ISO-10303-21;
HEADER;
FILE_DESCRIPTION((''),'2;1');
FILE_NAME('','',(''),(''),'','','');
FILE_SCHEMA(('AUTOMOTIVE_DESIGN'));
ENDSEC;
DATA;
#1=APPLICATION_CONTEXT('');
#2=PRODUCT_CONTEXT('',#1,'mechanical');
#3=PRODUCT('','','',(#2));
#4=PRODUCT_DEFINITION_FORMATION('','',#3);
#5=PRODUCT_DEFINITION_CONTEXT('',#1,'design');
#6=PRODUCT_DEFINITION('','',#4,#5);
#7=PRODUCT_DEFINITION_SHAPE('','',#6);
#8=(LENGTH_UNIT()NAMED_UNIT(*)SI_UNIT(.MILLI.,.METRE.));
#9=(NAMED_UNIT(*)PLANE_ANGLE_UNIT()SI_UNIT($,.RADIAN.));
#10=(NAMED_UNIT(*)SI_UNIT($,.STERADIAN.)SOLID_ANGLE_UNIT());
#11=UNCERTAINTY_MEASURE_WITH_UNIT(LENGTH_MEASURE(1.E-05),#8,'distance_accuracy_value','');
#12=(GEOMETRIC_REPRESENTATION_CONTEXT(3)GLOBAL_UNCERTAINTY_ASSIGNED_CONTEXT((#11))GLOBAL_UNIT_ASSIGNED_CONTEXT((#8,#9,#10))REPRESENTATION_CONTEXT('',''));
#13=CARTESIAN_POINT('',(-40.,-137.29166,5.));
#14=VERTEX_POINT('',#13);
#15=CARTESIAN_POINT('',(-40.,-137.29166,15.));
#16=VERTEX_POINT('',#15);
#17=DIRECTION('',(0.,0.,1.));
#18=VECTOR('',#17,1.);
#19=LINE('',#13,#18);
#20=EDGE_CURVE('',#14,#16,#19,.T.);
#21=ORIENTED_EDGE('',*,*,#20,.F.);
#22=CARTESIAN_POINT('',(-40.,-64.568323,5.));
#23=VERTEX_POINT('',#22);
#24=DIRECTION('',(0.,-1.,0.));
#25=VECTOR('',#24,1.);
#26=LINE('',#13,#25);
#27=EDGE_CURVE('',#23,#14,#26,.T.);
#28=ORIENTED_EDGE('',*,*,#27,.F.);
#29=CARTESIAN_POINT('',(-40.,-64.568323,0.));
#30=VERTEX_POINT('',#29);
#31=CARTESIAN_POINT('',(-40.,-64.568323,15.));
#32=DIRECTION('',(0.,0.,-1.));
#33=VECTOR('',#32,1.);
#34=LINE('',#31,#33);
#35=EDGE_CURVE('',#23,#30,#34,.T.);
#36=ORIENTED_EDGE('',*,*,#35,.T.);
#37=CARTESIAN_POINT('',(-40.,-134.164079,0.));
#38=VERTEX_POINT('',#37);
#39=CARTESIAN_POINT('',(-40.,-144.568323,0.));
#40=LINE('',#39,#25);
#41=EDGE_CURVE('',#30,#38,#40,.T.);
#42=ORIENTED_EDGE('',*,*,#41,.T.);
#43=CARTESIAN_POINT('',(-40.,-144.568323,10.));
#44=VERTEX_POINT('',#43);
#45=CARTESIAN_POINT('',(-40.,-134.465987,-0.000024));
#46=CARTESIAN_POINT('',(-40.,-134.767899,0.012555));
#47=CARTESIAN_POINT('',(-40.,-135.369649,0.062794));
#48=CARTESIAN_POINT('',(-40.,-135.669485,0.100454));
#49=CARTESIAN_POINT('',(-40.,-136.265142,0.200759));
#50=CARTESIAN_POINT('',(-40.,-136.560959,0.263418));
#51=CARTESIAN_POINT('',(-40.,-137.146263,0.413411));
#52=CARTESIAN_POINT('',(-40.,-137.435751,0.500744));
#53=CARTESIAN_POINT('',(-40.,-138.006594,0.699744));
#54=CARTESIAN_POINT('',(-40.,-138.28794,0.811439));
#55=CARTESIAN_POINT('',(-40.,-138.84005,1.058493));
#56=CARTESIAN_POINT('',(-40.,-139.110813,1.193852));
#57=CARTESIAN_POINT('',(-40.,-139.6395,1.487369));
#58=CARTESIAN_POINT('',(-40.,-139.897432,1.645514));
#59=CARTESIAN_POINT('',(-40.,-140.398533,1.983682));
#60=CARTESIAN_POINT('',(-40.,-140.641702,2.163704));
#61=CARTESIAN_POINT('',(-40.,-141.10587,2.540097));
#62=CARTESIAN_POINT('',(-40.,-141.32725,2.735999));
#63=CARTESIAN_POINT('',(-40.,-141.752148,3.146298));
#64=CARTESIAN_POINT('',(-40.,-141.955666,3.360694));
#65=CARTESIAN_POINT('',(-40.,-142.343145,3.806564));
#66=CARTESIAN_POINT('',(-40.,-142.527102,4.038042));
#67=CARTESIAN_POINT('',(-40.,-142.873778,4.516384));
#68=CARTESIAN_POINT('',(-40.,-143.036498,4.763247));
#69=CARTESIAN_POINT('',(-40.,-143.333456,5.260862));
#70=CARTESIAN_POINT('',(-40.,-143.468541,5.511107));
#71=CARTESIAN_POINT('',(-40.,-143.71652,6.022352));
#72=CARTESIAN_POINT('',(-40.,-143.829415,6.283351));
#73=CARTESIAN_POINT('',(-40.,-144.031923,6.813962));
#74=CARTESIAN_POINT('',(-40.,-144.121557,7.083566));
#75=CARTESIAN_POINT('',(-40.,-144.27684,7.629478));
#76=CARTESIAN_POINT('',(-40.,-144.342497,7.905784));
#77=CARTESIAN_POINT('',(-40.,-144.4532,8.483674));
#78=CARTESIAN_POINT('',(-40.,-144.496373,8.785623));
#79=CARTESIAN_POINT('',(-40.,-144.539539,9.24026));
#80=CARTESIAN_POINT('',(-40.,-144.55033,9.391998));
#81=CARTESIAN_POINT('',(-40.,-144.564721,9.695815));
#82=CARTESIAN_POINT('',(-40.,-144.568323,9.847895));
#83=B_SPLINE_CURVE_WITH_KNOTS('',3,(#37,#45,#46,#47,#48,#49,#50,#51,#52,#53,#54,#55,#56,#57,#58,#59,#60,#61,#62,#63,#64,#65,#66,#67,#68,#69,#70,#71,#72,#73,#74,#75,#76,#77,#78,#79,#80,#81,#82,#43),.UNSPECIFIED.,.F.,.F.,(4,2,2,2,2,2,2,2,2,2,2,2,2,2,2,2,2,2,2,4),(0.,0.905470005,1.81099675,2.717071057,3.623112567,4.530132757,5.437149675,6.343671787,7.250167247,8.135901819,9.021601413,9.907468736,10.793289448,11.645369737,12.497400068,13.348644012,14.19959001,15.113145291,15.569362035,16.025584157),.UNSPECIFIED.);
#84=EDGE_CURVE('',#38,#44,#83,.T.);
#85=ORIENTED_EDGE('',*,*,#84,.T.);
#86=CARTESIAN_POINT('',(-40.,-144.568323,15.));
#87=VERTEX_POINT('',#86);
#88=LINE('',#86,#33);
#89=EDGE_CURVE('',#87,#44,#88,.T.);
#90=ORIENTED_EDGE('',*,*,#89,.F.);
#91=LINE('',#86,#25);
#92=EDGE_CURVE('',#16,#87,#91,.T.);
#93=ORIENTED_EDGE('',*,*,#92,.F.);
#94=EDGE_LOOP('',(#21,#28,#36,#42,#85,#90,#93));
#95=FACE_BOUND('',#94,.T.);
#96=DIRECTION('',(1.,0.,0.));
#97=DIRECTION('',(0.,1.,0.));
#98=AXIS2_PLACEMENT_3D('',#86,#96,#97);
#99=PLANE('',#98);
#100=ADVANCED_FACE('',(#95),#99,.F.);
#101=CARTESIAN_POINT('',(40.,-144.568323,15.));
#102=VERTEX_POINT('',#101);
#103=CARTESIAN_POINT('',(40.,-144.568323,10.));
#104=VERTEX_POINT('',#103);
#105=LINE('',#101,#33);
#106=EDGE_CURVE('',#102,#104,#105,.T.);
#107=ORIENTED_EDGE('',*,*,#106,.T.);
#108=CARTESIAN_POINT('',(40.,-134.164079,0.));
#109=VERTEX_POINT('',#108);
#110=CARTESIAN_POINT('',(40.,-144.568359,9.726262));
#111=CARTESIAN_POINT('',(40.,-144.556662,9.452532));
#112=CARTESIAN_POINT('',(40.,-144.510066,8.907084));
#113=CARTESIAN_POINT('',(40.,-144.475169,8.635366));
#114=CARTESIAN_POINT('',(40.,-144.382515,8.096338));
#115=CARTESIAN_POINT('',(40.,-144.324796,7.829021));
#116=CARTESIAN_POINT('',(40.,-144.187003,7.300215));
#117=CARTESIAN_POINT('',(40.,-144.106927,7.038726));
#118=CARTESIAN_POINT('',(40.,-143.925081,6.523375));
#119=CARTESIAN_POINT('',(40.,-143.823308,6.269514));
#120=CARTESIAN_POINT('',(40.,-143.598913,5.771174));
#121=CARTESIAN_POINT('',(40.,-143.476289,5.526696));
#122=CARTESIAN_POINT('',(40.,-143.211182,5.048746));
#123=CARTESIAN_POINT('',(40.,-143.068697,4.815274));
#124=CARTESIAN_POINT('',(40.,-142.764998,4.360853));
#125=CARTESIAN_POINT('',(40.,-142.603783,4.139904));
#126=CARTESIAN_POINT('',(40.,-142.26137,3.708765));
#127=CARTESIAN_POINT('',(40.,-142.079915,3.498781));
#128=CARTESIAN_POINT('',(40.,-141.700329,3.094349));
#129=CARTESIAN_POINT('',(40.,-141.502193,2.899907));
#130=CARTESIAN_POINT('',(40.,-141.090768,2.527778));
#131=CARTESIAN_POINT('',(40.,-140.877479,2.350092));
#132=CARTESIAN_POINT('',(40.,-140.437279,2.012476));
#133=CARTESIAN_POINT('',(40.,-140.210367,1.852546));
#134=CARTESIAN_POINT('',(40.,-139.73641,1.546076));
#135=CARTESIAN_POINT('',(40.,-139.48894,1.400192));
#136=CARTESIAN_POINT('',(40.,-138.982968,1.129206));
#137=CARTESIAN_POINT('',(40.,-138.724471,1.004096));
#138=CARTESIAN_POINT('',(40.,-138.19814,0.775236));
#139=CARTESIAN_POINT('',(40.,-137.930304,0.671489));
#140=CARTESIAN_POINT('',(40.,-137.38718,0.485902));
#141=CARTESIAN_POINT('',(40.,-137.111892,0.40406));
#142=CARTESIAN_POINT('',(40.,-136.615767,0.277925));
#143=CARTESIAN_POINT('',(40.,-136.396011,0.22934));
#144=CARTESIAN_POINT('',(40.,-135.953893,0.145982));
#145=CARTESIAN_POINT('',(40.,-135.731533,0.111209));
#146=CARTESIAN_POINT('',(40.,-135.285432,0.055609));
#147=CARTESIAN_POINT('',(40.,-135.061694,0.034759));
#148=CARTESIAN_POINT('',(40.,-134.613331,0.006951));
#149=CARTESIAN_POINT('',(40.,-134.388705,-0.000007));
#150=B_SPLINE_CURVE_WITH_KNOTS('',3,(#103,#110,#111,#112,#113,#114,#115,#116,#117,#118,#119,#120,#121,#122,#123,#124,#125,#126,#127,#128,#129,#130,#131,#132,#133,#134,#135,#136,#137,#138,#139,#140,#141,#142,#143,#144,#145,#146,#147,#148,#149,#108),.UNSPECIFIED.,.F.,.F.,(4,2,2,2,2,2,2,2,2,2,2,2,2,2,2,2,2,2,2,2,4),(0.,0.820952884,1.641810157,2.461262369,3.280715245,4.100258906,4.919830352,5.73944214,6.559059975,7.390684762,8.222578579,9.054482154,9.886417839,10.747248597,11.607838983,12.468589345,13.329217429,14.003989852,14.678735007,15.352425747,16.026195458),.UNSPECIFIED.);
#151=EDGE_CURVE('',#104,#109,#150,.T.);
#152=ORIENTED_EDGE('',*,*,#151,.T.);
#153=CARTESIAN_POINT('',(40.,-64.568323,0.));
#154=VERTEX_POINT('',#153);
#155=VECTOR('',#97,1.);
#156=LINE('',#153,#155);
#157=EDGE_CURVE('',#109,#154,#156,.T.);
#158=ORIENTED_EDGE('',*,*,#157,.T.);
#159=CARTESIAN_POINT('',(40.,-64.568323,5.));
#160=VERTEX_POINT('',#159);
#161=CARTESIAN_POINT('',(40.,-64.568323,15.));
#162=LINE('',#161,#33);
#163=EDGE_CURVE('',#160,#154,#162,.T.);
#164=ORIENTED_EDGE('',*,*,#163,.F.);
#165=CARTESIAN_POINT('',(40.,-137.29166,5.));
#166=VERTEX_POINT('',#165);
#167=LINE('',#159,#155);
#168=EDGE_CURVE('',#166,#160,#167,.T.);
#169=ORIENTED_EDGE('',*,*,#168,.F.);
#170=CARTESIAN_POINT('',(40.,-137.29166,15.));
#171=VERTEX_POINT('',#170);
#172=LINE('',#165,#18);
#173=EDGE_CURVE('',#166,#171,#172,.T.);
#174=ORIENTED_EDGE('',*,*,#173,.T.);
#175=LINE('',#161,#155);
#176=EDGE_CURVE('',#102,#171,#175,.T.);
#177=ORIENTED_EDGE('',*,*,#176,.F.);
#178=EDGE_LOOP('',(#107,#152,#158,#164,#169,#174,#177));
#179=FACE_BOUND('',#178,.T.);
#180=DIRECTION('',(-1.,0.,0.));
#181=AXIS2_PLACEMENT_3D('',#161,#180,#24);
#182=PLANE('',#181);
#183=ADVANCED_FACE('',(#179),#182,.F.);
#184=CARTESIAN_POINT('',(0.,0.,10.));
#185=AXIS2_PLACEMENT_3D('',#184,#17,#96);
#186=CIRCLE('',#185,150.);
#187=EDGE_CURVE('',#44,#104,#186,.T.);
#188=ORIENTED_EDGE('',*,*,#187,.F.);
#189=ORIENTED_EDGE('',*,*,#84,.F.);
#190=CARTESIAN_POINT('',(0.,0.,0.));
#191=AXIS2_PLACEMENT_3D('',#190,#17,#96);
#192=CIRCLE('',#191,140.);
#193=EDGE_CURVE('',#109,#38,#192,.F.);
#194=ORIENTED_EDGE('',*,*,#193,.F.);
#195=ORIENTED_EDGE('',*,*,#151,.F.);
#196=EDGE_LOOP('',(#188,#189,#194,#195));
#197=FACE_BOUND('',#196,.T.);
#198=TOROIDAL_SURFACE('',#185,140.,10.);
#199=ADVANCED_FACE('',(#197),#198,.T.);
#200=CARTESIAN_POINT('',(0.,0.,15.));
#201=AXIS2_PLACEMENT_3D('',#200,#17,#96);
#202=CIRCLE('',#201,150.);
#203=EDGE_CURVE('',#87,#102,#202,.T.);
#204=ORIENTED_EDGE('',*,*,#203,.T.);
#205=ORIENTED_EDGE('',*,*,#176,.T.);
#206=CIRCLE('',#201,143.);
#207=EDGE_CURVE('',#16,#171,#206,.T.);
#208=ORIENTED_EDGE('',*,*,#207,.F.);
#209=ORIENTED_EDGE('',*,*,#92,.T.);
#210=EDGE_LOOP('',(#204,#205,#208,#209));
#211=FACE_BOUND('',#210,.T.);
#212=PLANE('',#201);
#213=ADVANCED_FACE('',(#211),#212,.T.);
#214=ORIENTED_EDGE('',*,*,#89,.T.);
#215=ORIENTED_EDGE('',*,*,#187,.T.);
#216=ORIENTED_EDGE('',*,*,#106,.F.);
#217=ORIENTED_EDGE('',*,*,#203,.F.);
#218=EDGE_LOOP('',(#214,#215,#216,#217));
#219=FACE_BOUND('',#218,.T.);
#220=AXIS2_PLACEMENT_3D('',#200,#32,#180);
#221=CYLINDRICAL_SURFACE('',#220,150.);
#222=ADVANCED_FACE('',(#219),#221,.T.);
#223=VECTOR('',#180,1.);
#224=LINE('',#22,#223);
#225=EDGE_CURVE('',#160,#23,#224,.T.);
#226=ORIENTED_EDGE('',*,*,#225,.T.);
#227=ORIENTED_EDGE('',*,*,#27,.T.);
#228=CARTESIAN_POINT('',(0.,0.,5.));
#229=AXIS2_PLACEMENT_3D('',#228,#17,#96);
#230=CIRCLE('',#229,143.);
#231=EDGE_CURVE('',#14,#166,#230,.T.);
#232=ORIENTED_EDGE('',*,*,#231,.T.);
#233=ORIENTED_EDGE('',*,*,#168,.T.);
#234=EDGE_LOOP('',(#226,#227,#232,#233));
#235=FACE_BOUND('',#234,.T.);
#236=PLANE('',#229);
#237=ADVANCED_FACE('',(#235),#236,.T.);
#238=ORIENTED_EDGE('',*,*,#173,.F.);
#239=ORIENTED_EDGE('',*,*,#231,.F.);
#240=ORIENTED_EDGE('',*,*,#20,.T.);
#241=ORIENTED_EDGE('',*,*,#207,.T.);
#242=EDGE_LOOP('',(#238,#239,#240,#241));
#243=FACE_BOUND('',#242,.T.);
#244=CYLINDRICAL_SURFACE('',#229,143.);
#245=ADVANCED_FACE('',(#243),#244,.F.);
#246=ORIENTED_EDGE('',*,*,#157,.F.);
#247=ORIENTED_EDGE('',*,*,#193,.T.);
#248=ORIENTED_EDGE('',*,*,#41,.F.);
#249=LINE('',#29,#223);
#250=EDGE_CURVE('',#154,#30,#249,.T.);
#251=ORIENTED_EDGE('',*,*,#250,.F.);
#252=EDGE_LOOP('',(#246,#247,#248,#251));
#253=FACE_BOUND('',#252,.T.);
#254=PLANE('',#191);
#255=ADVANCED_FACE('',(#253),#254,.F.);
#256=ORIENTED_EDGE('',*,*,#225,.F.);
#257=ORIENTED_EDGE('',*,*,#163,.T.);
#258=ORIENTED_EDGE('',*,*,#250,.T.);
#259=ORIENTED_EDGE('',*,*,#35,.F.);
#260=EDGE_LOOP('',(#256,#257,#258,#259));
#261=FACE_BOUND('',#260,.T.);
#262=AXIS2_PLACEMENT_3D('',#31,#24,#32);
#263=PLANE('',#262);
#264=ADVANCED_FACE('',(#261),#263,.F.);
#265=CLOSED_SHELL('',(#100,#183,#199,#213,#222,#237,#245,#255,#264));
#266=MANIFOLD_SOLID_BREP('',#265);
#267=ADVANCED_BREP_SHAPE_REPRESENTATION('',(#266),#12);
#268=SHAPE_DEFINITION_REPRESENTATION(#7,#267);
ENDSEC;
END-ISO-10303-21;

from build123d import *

# Parameters (mm, degrees)
BOSS_EXTRUDE1_DEPTH = 15
CUT_EXTRUDE1_DEPTH  = 10
FILLET1_R           = 10


with BuildPart() as part:
    # Sketch2 → Boss-Extrude1 (new body)
    with BuildSketch(Plane.XY):
        with BuildLine():
            Line((-40, -144.568322948), (-40, -64.568322948))
            Line((-40, -64.568322948), (40, -64.568322948))
            Line((40, -64.568322948), (40, -144.568322948))
            ThreePointArc((40, -144.568322948), (0, -150), (-40, -144.568322948))
        make_face()
    extrude(amount=BOSS_EXTRUDE1_DEPTH)

    # Sketch3 → Cut-Extrude1 (cut)
    with BuildSketch(Plane.XY.offset(15)):
        with BuildLine():
            Line((-40, -137.291660344), (-40, -64.568322948))
            Line((-40, -64.568322948), (40, -64.568322948))
            Line((40, -64.568322948), (40, -137.291660344))
            ThreePointArc((40, -137.291660344), (0, -143), (-40, -137.291660344))
        make_face()
    extrude(amount=-CUT_EXTRUDE1_DEPTH, mode=Mode.SUBTRACT)

    # Fillet1
    fillet1_edges = [part.edges().sort_by_distance(p)[0] for p in [
        (0, -150, 0),
    ]]
    fillet(fillet1_edges, radius=FILLET1_R)


solid = part.part
